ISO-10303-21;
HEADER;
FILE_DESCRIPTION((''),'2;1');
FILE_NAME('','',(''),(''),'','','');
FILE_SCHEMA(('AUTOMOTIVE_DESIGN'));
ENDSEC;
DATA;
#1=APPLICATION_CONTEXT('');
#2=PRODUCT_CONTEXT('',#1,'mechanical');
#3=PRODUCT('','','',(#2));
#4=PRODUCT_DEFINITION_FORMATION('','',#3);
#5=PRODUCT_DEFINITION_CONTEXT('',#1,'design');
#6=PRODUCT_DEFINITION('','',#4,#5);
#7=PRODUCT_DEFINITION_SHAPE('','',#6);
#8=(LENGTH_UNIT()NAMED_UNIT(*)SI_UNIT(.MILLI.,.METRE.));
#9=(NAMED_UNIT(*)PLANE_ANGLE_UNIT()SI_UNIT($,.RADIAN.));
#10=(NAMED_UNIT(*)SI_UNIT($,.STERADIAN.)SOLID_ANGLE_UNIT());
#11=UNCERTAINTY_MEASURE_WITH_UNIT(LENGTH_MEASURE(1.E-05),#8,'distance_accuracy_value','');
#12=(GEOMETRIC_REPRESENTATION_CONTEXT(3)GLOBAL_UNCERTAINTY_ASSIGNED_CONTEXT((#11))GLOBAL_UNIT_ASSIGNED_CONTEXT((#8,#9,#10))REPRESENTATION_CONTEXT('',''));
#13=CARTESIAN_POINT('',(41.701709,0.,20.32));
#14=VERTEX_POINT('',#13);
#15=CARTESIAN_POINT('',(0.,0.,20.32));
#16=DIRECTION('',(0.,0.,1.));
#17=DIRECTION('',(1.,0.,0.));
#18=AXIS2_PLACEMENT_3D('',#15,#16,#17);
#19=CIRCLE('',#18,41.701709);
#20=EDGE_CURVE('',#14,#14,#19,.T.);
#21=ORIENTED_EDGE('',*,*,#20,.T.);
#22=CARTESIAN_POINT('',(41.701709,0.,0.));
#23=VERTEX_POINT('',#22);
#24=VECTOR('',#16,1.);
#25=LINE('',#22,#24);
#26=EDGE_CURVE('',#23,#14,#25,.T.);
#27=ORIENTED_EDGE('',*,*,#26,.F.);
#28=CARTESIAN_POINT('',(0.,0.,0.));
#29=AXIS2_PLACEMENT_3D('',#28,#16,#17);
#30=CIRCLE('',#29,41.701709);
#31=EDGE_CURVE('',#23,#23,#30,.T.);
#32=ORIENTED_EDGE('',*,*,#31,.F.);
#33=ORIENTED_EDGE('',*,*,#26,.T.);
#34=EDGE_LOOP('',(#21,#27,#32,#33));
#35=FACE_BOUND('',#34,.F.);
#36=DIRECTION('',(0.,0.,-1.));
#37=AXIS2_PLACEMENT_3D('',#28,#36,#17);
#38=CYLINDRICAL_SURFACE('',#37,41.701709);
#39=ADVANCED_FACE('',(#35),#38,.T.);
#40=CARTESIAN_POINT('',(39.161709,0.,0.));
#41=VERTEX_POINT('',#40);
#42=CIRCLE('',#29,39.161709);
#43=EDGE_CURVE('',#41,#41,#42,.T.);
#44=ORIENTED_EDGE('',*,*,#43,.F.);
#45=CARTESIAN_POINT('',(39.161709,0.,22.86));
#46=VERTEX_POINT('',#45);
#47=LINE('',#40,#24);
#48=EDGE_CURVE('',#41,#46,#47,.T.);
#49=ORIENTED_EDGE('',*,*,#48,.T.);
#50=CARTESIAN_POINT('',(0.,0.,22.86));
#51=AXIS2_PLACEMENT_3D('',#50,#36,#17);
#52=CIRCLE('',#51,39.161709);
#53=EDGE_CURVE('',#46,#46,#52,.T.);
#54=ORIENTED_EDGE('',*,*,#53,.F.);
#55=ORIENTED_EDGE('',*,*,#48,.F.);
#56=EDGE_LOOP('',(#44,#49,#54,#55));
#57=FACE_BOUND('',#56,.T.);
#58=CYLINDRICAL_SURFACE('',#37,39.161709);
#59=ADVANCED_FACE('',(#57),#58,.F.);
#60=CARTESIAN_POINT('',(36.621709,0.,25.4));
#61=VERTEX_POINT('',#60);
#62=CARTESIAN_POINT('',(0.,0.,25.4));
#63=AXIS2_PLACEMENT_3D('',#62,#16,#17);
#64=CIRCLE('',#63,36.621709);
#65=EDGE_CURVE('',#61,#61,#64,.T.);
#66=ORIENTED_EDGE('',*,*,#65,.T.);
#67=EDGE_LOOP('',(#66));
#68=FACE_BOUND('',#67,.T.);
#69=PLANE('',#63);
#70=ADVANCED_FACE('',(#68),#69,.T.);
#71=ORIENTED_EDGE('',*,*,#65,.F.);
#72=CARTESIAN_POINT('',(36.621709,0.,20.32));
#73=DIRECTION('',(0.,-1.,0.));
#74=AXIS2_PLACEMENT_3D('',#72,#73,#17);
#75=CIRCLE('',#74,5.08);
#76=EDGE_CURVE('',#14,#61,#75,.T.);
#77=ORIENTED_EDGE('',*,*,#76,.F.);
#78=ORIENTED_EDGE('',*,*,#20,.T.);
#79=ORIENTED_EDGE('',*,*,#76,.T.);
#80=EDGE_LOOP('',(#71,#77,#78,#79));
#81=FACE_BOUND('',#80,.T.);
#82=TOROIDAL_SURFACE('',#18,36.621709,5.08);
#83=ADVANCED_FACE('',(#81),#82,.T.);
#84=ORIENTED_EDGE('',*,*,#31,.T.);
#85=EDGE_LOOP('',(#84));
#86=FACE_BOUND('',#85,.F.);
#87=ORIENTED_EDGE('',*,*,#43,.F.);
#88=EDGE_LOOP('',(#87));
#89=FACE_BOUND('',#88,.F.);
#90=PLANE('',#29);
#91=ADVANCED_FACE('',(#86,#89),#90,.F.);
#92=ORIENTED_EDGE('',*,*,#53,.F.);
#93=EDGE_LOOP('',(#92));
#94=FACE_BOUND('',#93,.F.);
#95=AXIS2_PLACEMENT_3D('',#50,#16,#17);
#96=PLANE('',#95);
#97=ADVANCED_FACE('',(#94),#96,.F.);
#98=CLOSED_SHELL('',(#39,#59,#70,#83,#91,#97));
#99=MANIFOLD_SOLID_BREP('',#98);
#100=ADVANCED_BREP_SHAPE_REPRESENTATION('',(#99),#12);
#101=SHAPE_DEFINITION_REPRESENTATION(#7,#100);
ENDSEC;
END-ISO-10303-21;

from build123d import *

# Parameters (mm, degrees)
F0_R     = 41.701709
F1_DEPTH = 25.4
F2_T     = -2.54
F3_R     = 5.08


with BuildPart() as f1:
    # F0 (on Top) → F1 (new body)
    with BuildSketch(Plane.XY):
        Circle(F0_R)
    extrude(amount=F1_DEPTH)

    # F2
    f2_openings = [f1.faces().sort_by_distance(p)[0] for p in [
        (0, 0, 0),
    ]]
    offset(amount=F2_T, openings=f2_openings)

    # F3
    f3_edges = [f1.edges().sort_by_distance(p)[0] for p in [
        (-41.701709, 0, 25.4),
    ]]
    fillet(f3_edges, radius=F3_R)


solid = f1.part
